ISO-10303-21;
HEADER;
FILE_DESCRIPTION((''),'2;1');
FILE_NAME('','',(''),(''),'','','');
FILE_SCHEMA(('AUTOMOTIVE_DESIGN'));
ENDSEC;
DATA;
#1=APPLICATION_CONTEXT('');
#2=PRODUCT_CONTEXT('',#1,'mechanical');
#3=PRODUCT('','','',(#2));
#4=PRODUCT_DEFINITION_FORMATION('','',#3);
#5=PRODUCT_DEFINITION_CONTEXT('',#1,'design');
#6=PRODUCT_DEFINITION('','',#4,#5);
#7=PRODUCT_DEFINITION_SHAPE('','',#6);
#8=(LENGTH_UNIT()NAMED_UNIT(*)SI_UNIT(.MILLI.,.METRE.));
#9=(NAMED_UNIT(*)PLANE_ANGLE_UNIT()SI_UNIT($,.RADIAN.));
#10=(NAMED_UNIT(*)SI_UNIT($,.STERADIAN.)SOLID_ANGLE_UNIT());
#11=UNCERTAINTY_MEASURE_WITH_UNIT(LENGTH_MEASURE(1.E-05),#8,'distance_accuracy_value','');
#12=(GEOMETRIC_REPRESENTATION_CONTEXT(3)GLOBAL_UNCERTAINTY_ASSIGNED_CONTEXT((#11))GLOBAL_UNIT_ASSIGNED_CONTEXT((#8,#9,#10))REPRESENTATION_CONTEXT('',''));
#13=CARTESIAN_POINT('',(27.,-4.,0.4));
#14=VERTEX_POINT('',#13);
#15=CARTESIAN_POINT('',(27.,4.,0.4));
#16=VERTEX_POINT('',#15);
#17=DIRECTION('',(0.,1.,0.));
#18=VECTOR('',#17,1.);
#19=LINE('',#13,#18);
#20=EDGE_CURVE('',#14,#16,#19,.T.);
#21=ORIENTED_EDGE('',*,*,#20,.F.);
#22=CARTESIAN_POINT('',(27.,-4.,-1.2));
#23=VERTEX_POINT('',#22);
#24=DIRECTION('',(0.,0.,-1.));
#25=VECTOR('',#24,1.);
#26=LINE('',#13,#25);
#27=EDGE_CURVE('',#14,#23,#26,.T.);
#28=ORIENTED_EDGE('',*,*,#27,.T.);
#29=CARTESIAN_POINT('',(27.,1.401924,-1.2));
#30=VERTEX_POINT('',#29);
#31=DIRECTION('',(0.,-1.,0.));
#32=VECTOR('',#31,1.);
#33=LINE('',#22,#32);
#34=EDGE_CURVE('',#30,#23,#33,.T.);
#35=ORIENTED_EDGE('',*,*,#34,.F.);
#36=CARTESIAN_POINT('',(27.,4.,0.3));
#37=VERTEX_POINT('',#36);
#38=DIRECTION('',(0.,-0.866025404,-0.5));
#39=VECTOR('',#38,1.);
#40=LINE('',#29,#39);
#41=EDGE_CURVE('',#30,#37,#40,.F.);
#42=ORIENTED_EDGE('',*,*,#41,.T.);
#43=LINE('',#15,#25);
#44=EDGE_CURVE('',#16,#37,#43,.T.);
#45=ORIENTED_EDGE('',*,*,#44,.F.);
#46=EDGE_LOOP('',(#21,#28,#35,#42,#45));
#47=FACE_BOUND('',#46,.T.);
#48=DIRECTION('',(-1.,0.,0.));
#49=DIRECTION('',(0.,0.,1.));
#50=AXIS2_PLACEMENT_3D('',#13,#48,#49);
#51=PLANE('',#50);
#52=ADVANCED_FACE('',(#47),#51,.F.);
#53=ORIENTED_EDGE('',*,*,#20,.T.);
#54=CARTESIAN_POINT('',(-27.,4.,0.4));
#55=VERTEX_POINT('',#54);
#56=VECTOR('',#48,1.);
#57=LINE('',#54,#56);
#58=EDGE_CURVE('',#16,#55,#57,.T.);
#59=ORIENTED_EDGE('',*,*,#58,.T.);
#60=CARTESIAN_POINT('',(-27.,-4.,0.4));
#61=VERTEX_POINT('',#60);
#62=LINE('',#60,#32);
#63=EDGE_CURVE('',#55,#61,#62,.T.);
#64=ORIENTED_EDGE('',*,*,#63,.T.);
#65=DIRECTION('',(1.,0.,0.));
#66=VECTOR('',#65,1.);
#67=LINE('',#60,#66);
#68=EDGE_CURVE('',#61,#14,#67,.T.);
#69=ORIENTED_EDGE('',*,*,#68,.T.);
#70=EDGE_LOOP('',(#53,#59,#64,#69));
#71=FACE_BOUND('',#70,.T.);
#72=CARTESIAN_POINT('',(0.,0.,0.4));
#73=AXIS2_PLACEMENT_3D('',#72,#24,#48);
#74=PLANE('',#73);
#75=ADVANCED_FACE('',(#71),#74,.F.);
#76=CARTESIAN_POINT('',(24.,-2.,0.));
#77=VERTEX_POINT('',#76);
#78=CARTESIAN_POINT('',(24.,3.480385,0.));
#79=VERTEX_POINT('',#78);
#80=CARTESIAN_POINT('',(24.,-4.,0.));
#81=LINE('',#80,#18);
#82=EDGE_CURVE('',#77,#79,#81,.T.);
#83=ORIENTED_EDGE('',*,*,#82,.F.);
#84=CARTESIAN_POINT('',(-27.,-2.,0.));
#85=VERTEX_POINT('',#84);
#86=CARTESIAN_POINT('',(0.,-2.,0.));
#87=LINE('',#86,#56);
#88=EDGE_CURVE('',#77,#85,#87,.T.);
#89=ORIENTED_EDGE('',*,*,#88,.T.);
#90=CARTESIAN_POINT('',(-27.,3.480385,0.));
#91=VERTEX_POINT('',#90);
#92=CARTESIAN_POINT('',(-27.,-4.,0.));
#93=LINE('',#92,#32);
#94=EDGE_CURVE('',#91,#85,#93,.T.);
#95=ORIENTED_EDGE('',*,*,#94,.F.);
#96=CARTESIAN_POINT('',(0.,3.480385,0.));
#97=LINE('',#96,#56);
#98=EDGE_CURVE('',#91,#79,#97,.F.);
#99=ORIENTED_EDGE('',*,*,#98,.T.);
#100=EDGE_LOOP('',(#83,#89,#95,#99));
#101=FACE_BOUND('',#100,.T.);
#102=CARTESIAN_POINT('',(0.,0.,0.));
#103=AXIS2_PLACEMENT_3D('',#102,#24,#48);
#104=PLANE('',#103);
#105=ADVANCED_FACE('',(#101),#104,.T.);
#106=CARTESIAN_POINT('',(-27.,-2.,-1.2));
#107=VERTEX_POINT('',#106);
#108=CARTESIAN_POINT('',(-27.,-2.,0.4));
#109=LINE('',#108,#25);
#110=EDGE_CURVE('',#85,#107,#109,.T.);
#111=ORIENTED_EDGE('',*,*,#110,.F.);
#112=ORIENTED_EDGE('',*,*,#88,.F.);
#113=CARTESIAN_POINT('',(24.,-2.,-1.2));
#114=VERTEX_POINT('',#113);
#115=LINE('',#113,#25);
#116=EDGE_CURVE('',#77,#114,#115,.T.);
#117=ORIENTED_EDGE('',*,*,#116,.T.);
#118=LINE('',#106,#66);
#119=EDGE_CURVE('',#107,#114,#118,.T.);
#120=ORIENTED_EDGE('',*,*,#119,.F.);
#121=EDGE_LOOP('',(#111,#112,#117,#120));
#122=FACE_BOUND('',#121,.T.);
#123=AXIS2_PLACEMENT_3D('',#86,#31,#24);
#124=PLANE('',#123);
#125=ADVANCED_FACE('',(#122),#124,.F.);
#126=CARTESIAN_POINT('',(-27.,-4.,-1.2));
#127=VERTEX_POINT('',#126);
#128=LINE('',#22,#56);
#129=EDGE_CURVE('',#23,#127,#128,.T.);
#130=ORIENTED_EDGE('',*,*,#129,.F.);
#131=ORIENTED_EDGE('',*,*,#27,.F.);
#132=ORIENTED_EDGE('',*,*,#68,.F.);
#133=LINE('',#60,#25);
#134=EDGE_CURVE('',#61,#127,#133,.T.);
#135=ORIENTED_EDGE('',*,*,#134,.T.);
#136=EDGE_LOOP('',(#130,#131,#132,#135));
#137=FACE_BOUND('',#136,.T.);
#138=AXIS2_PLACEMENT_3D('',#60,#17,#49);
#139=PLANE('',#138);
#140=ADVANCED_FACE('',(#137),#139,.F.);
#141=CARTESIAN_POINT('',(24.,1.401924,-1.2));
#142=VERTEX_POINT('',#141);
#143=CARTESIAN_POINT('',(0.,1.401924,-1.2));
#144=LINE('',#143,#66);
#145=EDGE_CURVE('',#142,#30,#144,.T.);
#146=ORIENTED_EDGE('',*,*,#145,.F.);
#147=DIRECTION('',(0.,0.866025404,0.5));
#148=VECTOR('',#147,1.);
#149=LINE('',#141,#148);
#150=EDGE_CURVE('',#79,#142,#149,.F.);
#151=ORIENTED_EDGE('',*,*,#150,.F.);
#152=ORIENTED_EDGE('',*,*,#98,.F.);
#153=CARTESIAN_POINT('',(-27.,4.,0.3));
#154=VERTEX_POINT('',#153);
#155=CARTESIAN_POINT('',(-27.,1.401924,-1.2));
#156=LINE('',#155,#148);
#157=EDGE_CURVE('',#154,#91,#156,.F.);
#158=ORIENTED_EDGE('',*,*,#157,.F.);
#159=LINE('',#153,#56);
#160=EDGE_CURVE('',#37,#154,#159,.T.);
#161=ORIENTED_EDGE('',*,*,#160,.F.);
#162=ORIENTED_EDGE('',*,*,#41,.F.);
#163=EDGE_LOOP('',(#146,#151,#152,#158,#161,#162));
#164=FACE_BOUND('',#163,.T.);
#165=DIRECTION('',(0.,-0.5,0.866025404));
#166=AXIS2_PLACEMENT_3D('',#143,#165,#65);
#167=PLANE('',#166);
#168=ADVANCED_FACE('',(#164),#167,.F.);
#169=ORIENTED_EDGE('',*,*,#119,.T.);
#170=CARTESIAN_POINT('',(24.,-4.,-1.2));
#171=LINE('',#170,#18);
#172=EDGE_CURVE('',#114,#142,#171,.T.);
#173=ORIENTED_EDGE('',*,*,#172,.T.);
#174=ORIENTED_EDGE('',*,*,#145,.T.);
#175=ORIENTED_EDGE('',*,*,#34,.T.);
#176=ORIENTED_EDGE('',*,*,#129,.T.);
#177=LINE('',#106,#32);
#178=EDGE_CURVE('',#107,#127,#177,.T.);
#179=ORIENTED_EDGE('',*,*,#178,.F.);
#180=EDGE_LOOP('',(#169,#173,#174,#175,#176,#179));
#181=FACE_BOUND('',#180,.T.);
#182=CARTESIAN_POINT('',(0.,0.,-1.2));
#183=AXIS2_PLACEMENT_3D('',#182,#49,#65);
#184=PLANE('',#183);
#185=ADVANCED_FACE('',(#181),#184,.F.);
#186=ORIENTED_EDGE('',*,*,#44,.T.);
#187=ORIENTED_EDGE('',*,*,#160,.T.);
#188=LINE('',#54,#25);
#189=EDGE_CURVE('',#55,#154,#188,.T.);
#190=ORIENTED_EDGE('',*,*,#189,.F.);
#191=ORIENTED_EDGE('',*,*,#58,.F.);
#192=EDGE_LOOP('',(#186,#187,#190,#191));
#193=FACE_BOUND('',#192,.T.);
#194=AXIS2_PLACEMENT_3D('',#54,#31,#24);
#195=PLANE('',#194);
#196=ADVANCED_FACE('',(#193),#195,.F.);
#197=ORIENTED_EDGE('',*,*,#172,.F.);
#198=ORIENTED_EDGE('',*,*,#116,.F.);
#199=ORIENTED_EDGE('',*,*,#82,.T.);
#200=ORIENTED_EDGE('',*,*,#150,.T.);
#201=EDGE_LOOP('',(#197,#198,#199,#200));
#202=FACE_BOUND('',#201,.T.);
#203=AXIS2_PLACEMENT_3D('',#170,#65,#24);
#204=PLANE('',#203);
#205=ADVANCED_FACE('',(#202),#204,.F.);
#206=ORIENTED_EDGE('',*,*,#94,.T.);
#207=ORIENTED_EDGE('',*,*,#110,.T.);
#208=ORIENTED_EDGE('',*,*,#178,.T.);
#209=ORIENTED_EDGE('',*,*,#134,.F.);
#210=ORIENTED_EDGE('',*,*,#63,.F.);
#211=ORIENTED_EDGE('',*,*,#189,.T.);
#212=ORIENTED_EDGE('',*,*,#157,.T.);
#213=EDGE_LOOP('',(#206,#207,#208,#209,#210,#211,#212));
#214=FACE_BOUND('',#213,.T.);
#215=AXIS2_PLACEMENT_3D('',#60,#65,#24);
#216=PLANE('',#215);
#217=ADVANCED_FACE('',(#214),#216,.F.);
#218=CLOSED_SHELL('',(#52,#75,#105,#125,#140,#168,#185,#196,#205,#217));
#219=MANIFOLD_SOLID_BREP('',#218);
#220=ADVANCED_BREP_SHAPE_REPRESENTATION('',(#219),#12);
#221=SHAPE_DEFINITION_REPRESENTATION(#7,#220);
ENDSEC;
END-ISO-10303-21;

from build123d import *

# Parameters (mm, degrees)
SKETCH_1_W      = 54
SKETCH_1_H      = 8
EXTRUDE_1_DEPTH = 0.4
SKETCH_2_W      = 3
SKETCH_2_H      = 8
EXTRUDE_2_DEPTH = 1.2
SKETCH_3_W      = 54
SKETCH_3_H      = 1.6
EXTRUDE_3_DEPTH = 2
CHAMFER_1_SIZE  = 1.5
CHAMFER_1_SIZE2 = 2.598076211


with BuildPart() as part:
    # 草图1 → 凸台-拉伸1 (new body)
    with BuildSketch(Plane.XY):
        Rectangle(SKETCH_1_W, SKETCH_1_H)
    extrude(amount=EXTRUDE_1_DEPTH)

    # 草图2 → 凸台-拉伸2 (add)
    with BuildSketch(Plane(origin=(0, 0, 0), x_dir=(-1, 0, 0), z_dir=(0, 0, -1))):
        with Locations((-25.5, 0)):
            Rectangle(SKETCH_2_W, SKETCH_2_H)
    extrude(amount=EXTRUDE_2_DEPTH)

    # 草图3 → 凸台-拉伸3 (add)
    with BuildSketch(Plane.XZ.offset(4)):
        with Locations((0, -0.4)):
            Rectangle(SKETCH_3_W, SKETCH_3_H)
    extrude(amount=-EXTRUDE_3_DEPTH)

    # 倒角1
    chamfer_1_edges = [part.edges().sort_by_distance(p)[0] for p in [
        (25.5, 4, -1.2),
    ]]
    chamfer_1_side = [part.faces().sort_by_distance(p)[0] for p in [
        (3.642857143, 4, 0.085714286),
    ]]
    chamfer(chamfer_1_edges, length=CHAMFER_1_SIZE, length2=CHAMFER_1_SIZE2, reference=chamfer_1_side[0])


solid = part.part
